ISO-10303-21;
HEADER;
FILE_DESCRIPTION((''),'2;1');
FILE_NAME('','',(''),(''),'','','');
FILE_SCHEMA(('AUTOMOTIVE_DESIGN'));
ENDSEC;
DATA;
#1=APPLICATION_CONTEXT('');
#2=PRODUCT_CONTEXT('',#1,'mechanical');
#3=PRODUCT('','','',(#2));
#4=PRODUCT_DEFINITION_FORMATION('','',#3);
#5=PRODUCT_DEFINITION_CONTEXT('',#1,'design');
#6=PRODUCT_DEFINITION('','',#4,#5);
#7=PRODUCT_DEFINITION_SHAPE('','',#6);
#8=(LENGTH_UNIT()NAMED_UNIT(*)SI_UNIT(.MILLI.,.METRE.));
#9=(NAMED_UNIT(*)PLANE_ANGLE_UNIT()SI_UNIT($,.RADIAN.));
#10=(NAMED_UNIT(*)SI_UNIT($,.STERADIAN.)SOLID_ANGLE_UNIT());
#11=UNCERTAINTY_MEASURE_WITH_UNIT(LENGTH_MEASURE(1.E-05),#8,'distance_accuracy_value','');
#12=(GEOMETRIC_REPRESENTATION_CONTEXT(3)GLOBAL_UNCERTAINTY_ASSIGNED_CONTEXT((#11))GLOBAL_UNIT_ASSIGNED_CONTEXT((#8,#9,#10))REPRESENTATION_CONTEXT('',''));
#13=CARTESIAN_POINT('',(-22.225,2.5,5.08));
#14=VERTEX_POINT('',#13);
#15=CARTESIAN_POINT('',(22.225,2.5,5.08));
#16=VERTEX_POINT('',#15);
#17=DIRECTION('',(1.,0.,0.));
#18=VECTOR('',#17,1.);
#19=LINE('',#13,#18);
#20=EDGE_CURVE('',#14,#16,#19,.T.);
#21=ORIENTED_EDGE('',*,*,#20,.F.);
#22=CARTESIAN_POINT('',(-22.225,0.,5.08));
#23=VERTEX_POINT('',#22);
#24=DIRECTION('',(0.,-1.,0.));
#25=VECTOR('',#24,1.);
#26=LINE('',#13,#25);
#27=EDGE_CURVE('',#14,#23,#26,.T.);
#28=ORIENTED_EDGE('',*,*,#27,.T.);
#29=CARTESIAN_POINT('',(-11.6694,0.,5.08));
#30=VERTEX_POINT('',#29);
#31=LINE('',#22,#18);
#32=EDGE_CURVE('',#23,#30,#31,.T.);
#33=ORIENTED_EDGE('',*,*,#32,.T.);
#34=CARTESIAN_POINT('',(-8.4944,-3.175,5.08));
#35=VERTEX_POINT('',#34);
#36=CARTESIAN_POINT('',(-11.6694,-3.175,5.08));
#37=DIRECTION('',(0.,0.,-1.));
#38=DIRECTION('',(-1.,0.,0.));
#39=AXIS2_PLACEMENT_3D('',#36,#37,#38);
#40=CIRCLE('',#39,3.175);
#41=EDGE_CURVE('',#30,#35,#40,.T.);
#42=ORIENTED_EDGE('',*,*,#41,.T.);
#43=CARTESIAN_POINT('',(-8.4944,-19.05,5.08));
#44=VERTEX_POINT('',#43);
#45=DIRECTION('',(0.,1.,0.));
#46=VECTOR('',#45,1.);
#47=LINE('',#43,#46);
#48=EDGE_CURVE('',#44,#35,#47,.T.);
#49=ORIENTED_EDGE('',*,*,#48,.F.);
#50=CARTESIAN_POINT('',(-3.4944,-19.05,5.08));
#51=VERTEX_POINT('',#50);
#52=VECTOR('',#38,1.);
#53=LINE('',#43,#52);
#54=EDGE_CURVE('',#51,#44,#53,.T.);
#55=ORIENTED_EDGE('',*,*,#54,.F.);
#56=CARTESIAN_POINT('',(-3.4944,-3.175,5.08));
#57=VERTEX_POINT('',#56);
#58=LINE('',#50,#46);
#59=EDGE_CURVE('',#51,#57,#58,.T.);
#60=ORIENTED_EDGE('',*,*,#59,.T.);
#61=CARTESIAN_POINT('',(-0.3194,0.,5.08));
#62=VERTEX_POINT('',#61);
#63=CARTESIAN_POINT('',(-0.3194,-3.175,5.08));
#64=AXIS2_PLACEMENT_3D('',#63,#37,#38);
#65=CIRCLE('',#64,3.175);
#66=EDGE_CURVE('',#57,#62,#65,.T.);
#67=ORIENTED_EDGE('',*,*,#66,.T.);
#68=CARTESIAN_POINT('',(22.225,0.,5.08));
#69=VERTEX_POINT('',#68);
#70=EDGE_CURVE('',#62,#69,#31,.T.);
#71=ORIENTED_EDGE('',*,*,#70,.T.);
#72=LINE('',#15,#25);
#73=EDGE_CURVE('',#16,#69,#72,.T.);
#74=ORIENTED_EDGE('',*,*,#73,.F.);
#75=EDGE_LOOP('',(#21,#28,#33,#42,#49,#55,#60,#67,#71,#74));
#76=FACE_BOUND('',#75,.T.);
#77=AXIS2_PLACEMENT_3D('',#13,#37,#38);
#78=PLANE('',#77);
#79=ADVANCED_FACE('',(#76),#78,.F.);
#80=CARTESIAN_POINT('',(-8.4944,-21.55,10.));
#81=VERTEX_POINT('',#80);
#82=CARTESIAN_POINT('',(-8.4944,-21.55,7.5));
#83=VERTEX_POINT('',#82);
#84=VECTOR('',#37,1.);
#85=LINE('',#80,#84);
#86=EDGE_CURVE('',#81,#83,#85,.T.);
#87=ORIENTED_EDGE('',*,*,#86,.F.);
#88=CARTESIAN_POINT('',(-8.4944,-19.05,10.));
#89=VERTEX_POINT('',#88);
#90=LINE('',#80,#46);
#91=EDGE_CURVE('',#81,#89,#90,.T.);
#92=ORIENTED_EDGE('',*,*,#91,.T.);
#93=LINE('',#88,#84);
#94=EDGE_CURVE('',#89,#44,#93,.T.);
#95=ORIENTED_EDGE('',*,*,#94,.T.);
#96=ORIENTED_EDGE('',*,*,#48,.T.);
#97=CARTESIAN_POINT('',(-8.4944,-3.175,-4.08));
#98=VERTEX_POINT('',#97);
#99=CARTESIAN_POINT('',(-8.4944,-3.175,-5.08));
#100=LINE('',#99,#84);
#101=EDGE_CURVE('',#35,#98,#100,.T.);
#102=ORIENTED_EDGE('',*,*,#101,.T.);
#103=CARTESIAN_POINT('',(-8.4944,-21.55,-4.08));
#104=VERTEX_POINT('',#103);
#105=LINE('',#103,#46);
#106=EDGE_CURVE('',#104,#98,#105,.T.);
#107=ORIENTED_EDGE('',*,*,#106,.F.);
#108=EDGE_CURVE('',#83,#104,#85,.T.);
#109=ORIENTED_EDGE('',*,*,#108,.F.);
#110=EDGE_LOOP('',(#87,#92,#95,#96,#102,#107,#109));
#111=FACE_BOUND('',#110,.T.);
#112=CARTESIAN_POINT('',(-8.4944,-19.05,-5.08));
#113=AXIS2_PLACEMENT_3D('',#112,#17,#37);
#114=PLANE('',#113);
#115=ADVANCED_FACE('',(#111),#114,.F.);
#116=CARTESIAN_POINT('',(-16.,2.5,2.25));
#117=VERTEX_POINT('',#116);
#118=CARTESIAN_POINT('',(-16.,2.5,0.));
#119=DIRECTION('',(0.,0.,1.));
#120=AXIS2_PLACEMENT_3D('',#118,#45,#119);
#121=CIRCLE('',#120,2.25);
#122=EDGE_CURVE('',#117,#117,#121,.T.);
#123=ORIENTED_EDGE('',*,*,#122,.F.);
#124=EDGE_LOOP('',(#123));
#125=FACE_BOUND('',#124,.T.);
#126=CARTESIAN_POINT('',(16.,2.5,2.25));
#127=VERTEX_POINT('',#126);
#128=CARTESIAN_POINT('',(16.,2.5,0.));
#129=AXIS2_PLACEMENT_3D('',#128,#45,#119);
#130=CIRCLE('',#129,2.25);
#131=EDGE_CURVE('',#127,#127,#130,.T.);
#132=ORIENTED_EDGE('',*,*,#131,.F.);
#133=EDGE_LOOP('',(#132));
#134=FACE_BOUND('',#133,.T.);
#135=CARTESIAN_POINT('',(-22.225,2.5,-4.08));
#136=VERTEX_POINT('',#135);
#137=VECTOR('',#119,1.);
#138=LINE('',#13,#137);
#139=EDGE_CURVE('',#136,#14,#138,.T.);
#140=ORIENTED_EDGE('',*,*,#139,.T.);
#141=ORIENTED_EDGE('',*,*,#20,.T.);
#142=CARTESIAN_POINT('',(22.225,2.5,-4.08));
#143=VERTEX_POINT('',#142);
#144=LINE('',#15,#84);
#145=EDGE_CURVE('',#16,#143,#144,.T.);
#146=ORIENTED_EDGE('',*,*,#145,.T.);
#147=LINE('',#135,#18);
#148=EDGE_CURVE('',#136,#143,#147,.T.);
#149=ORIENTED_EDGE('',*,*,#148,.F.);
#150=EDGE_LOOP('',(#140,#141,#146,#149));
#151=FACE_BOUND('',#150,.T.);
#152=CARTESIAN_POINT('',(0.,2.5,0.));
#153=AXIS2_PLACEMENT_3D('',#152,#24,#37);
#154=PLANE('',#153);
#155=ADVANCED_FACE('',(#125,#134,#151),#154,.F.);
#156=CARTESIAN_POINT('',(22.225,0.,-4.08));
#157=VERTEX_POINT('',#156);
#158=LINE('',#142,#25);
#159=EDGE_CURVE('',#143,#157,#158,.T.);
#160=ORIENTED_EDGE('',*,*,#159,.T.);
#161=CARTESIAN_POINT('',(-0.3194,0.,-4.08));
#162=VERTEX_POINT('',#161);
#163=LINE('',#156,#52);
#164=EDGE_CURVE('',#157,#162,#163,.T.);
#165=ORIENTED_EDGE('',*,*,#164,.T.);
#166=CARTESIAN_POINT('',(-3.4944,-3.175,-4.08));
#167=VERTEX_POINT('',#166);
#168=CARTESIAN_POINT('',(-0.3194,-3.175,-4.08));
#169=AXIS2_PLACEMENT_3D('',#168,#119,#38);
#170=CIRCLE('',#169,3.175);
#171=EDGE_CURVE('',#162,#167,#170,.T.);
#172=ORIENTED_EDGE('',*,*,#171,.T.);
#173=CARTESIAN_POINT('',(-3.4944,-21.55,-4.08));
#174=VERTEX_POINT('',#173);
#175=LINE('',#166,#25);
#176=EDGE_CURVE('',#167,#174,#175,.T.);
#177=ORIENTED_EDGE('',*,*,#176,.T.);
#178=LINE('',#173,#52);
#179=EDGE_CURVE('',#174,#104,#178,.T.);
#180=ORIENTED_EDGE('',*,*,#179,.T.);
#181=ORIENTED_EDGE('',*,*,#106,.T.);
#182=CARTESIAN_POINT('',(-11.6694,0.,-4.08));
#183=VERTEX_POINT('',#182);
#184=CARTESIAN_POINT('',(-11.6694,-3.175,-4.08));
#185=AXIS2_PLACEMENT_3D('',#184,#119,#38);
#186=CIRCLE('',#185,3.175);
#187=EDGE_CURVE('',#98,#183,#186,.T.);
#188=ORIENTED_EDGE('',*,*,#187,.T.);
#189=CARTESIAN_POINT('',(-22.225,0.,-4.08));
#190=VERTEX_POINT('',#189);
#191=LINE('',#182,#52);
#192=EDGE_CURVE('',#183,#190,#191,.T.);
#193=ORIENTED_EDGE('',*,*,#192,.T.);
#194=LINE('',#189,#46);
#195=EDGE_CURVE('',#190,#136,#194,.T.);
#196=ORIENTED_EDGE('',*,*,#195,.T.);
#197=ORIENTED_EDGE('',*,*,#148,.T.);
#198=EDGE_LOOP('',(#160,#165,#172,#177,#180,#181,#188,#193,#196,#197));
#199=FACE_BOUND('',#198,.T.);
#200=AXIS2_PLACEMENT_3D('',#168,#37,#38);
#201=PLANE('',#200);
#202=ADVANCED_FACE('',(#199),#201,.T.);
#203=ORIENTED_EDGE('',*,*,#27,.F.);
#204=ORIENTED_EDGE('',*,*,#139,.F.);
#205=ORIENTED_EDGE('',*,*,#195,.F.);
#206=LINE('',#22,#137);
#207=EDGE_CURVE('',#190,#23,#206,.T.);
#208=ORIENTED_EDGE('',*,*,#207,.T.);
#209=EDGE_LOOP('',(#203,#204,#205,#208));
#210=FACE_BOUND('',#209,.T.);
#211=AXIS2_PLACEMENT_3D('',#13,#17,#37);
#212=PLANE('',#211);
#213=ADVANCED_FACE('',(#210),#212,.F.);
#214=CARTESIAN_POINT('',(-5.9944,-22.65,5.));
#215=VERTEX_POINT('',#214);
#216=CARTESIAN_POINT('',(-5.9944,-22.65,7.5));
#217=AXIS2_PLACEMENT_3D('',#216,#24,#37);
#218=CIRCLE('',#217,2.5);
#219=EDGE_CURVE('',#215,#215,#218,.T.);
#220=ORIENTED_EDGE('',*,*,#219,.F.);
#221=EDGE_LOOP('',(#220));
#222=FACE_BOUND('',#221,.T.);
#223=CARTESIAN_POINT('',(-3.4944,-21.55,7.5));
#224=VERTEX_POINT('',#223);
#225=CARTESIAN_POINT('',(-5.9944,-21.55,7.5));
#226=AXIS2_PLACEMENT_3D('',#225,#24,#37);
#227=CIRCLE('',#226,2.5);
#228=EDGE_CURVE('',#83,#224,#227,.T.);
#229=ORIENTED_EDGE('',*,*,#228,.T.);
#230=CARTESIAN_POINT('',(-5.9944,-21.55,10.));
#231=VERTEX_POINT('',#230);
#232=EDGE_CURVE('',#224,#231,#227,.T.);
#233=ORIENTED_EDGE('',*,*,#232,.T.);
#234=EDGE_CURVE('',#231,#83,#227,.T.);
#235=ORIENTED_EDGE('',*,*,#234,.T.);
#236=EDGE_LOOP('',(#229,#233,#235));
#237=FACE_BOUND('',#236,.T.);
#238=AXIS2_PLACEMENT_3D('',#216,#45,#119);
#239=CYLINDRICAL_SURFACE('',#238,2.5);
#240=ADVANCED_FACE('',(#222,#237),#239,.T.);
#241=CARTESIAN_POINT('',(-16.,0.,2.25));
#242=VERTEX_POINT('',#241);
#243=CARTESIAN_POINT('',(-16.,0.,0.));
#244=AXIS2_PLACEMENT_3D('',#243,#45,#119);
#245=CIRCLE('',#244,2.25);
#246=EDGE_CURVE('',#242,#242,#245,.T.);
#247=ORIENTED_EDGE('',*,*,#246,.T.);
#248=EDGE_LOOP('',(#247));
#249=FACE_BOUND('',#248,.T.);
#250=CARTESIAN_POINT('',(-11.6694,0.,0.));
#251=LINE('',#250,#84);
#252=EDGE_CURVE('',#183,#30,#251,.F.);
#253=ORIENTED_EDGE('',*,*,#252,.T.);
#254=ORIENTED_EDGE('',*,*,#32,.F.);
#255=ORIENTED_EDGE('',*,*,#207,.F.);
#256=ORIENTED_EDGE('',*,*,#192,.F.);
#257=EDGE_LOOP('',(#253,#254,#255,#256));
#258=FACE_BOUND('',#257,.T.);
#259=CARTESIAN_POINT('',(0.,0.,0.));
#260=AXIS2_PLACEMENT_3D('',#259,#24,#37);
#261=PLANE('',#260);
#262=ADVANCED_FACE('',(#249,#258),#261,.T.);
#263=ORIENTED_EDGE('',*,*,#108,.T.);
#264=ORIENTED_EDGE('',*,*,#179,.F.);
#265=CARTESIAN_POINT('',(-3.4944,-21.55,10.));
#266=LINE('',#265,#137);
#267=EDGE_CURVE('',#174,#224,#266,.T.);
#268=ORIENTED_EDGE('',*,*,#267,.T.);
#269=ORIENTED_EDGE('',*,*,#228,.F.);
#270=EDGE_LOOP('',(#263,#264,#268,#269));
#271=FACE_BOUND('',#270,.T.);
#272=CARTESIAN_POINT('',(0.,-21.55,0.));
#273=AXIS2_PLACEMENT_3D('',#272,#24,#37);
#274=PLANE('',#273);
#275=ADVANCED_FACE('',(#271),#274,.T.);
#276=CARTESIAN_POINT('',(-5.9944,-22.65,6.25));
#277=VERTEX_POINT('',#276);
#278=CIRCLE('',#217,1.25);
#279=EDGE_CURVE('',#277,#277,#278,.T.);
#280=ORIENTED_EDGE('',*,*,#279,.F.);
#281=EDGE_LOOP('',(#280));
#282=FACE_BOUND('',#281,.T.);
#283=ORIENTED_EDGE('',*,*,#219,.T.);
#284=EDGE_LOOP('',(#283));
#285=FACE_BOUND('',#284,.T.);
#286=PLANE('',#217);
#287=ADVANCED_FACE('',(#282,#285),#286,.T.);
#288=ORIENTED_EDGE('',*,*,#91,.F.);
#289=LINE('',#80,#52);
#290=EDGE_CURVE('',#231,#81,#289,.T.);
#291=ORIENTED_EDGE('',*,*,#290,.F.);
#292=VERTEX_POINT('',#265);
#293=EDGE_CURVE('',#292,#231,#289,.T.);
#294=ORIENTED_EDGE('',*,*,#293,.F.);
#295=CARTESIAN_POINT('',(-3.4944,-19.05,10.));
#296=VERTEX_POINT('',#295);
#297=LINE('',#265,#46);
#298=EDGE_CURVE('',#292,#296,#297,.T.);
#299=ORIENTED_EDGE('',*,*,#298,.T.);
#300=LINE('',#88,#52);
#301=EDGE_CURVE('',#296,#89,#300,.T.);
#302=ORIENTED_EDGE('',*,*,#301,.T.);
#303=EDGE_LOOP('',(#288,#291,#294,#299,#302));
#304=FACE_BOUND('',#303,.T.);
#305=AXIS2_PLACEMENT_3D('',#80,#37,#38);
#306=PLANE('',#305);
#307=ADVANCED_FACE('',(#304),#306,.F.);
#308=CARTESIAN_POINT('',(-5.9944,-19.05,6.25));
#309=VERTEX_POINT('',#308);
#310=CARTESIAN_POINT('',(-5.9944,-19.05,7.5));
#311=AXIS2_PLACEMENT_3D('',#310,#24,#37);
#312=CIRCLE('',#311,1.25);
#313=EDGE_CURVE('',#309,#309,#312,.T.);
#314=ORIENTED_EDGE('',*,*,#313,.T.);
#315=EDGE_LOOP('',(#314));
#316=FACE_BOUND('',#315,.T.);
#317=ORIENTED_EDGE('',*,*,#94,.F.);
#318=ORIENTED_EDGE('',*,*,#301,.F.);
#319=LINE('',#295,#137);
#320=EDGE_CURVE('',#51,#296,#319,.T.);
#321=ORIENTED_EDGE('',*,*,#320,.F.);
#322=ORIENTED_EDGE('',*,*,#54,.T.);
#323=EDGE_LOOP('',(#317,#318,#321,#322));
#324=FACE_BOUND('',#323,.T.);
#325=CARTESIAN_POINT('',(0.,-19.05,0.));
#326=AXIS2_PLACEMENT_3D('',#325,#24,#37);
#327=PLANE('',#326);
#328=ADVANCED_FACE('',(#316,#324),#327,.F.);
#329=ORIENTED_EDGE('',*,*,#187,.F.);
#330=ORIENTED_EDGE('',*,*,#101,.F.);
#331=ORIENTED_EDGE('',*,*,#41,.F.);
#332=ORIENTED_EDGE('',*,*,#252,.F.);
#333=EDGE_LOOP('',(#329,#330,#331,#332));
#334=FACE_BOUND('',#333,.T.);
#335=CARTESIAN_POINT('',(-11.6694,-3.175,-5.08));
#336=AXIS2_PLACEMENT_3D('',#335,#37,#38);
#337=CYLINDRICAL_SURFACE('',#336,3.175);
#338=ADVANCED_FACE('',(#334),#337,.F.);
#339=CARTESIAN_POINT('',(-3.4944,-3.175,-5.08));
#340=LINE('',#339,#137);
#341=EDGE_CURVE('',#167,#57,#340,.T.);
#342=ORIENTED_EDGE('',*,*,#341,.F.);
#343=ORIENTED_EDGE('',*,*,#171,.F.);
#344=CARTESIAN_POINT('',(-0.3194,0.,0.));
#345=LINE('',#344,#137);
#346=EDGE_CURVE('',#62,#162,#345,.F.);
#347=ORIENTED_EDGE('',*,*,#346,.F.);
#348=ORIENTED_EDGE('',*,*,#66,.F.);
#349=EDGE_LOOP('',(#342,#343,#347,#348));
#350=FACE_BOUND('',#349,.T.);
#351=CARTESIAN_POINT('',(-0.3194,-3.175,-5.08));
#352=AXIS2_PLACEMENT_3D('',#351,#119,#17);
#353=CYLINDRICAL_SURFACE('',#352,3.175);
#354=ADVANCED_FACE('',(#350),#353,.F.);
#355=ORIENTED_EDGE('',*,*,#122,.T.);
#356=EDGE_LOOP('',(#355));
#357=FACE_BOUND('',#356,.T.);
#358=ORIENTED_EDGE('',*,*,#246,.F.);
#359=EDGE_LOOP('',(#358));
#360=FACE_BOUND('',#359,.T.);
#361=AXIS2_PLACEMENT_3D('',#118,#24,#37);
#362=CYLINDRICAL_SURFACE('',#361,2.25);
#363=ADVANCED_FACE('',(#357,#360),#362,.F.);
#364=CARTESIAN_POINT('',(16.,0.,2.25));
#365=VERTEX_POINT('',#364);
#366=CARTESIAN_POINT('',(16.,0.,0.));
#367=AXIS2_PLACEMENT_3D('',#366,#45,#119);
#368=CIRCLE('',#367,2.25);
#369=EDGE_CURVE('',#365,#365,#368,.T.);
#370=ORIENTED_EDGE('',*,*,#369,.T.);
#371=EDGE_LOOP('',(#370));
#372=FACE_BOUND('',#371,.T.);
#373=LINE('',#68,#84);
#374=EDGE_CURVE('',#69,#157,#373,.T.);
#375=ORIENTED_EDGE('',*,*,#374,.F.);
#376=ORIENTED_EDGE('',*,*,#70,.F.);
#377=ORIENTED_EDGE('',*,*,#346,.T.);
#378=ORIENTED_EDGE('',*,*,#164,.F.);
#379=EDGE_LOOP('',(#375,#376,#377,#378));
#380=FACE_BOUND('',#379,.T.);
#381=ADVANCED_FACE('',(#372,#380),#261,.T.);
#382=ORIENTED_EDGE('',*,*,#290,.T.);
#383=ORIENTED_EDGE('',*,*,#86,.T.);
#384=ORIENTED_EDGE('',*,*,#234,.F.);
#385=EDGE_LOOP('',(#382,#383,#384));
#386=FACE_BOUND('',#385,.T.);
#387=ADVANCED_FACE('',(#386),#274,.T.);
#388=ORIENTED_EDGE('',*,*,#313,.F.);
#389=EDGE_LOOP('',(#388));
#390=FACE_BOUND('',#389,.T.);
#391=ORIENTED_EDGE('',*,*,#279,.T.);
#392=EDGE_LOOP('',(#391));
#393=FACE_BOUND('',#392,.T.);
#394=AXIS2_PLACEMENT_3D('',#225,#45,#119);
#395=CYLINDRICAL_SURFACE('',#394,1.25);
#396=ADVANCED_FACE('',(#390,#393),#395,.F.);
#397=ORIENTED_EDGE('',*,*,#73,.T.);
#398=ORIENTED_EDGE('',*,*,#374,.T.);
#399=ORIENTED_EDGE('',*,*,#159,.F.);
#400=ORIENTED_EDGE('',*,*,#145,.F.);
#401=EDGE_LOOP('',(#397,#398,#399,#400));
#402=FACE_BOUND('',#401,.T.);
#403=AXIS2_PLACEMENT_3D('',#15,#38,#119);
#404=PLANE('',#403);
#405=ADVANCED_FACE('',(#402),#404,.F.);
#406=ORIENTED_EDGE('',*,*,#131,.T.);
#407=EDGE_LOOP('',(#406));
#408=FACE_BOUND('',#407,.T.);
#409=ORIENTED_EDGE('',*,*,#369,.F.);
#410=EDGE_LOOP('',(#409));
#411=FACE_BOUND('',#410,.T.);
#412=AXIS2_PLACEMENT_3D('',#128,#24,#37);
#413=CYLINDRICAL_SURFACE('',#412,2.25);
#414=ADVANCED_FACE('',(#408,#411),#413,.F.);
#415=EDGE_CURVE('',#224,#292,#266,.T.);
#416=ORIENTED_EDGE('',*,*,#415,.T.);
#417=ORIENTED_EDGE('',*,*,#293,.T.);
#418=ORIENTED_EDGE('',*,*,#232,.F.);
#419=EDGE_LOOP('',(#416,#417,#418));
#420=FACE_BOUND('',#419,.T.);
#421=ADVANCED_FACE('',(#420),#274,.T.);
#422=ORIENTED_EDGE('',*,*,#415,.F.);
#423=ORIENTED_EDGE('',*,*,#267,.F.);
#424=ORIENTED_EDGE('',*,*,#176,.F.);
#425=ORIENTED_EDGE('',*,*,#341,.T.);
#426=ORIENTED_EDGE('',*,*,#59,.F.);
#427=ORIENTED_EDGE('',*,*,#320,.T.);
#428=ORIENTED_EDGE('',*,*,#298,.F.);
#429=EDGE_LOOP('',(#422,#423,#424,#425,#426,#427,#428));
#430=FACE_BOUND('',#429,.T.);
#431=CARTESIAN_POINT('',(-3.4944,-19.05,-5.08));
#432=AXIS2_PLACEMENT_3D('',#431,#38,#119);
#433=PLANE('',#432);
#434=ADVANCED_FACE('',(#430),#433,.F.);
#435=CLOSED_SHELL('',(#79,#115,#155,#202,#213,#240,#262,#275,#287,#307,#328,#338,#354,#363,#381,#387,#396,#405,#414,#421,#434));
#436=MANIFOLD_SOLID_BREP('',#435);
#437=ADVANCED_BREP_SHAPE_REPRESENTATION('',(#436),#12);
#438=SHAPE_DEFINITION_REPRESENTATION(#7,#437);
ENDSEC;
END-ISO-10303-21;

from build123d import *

# Parameters (mm, degrees)
SKETCH1_W           = 44.45
SKETCH1_H           = 10.16
SKETCH1_R           = 2.25
BOSS_EXTRUDE1_DEPTH = 2.5
SKETCH3_W           = 5
SKETCH3_H           = 10.16
BOSS_EXTRUDE2_DEPTH = 19.05
SKETCH5_W           = 5
SKETCH5_H           = 15.08
SKETCH5_R           = 1.25
BOSS_EXTRUDE3_DEPTH = 2.5
SKETCH6_R           = 2.5
SKETCH6_R_2         = 1.25
BOSS_EXTRUDE4_DEPTH = 1.1
FILLET1_R           = 3.175
CUT_EXTRUDE1_DEPTH  = 1


with BuildPart() as part:
    # Sketch1 → Boss-Extrude1 (new body)
    with BuildSketch(Plane(origin=(0, 0, 0), x_dir=(1, 0, 0), z_dir=(0, 1, 0))):
        Rectangle(SKETCH1_W, SKETCH1_H)
        with Locations((-16, 0)):
            Circle(SKETCH1_R, mode=Mode.SUBTRACT)
        with Locations((16, 0)):
            Circle(SKETCH1_R, mode=Mode.SUBTRACT)
    extrude(amount=BOSS_EXTRUDE1_DEPTH)

    # Sketch3 → Boss-Extrude2 (add)
    with BuildSketch(Plane(origin=(0, 0, 0), x_dir=(-1, 0, 0), z_dir=(0, -1, 0))):
        with Locations((5.9944, 0)):
            Rectangle(SKETCH3_W, SKETCH3_H)
    extrude(amount=BOSS_EXTRUDE2_DEPTH)

    # Sketch5 → Boss-Extrude3 (add)
    with BuildSketch(Plane.XZ.offset(19.05)):
        with Locations((-5.9944, 2.46)):
            Rectangle(SKETCH5_W, SKETCH5_H)
        with Locations((-5.9944, 7.5)):
            Circle(SKETCH5_R, mode=Mode.SUBTRACT)
    extrude(amount=BOSS_EXTRUDE3_DEPTH)

    # Sketch6 → Boss-Extrude4 (add)
    with BuildSketch(Plane.XZ.offset(21.55)):
        with Locations((-5.9944, 7.5)):
            Circle(SKETCH6_R)
        with Locations((-5.9944, 7.5)):
            Circle(SKETCH6_R_2, mode=Mode.SUBTRACT)
    extrude(amount=BOSS_EXTRUDE4_DEPTH)

    # Fillet1
    fillet1_edges = [part.edges().sort_by_distance(p)[0] for p in [
        (-3.4944, 0, 0),
        (-8.4944, 0, 0),
    ]]
    fillet(fillet1_edges, radius=FILLET1_R)

    # Sketch7 → Cut-Extrude1 (cut)
    with BuildSketch(Plane(origin=(0, 0, -5.08), x_dir=(-1, 0, 0), z_dir=(0, 0, -1))):
        with BuildLine():
            Line((-22.225, 0), (0.3194, 0))
            ThreePointArc((0.3194, 0), (2.56446403, -0.92993597), (3.4944, -3.175))
            Line((3.4944, -3.175), (3.4944, -21.55))
            Line((3.4944, -21.55), (8.4944, -21.55))
            Line((8.4944, -21.55), (8.4944, -3.175))
            ThreePointArc((8.4944, -3.175), (9.42433597, -0.92993597), (11.6694, 0))
            Line((11.6694, 0), (22.225, 0))
            Line((22.225, 0), (22.225, 2.5))
            Line((22.225, 2.5), (-22.225, 2.5))
            Line((-22.225, 2.5), (-22.225, 0))
        make_face()
    extrude(amount=-CUT_EXTRUDE1_DEPTH, mode=Mode.SUBTRACT)


solid = part.part
